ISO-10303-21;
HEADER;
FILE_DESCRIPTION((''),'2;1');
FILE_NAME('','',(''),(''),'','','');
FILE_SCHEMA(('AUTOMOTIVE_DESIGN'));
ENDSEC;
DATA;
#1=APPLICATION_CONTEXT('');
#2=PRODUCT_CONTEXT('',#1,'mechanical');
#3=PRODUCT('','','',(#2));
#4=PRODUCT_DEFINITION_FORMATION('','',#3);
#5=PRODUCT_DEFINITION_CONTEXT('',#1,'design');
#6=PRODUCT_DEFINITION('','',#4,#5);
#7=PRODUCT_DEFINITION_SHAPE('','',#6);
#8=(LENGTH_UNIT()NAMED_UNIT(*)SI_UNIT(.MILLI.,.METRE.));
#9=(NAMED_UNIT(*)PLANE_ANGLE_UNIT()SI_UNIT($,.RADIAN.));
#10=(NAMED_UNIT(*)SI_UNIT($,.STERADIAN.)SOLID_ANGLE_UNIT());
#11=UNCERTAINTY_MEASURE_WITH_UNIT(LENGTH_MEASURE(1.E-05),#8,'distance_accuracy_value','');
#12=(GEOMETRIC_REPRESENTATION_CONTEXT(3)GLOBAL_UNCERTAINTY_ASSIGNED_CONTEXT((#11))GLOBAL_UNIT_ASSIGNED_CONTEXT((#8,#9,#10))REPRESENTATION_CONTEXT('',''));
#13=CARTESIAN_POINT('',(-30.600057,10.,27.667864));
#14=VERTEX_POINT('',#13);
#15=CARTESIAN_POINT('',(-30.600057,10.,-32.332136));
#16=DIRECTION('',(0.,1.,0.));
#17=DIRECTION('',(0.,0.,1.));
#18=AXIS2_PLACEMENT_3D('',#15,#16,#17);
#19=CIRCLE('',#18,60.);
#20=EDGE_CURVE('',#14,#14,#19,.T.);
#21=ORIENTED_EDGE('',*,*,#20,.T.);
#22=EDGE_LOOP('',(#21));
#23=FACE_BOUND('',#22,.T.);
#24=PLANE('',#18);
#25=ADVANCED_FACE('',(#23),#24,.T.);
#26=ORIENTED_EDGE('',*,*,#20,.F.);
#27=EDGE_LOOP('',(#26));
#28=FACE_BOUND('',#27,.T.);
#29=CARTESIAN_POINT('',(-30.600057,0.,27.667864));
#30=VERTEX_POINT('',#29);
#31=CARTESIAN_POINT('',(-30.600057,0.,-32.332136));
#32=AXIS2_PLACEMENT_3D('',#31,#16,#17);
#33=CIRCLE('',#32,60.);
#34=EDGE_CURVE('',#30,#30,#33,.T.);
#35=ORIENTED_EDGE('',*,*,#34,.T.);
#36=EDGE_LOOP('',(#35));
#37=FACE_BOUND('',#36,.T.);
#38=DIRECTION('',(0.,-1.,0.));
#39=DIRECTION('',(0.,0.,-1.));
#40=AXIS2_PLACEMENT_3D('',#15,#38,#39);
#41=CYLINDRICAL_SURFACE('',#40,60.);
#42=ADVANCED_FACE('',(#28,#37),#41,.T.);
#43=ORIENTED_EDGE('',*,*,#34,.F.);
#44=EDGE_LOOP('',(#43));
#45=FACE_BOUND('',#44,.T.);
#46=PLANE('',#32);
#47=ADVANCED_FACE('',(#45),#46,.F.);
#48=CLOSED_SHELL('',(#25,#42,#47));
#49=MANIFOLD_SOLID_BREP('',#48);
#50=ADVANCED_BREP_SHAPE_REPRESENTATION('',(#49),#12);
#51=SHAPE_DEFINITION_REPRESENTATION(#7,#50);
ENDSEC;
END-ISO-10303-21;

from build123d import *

# Parameters (mm, degrees)
SKETCH1_R           = 60
BOSS_EXTRUDE1_DEPTH = 10


with BuildPart() as part:
    # Sketch1 → Boss-Extrude1 (new body)
    with BuildSketch(Plane(origin=(0, 0, 0), x_dir=(1, 0, 0), z_dir=(0, 1, 0))):
        with Locations(Location((-30.600056827, 32.332135515, 0), (0, 0, 270))):
            Circle(SKETCH1_R)
    extrude(amount=BOSS_EXTRUDE1_DEPTH)


solid = part.part
